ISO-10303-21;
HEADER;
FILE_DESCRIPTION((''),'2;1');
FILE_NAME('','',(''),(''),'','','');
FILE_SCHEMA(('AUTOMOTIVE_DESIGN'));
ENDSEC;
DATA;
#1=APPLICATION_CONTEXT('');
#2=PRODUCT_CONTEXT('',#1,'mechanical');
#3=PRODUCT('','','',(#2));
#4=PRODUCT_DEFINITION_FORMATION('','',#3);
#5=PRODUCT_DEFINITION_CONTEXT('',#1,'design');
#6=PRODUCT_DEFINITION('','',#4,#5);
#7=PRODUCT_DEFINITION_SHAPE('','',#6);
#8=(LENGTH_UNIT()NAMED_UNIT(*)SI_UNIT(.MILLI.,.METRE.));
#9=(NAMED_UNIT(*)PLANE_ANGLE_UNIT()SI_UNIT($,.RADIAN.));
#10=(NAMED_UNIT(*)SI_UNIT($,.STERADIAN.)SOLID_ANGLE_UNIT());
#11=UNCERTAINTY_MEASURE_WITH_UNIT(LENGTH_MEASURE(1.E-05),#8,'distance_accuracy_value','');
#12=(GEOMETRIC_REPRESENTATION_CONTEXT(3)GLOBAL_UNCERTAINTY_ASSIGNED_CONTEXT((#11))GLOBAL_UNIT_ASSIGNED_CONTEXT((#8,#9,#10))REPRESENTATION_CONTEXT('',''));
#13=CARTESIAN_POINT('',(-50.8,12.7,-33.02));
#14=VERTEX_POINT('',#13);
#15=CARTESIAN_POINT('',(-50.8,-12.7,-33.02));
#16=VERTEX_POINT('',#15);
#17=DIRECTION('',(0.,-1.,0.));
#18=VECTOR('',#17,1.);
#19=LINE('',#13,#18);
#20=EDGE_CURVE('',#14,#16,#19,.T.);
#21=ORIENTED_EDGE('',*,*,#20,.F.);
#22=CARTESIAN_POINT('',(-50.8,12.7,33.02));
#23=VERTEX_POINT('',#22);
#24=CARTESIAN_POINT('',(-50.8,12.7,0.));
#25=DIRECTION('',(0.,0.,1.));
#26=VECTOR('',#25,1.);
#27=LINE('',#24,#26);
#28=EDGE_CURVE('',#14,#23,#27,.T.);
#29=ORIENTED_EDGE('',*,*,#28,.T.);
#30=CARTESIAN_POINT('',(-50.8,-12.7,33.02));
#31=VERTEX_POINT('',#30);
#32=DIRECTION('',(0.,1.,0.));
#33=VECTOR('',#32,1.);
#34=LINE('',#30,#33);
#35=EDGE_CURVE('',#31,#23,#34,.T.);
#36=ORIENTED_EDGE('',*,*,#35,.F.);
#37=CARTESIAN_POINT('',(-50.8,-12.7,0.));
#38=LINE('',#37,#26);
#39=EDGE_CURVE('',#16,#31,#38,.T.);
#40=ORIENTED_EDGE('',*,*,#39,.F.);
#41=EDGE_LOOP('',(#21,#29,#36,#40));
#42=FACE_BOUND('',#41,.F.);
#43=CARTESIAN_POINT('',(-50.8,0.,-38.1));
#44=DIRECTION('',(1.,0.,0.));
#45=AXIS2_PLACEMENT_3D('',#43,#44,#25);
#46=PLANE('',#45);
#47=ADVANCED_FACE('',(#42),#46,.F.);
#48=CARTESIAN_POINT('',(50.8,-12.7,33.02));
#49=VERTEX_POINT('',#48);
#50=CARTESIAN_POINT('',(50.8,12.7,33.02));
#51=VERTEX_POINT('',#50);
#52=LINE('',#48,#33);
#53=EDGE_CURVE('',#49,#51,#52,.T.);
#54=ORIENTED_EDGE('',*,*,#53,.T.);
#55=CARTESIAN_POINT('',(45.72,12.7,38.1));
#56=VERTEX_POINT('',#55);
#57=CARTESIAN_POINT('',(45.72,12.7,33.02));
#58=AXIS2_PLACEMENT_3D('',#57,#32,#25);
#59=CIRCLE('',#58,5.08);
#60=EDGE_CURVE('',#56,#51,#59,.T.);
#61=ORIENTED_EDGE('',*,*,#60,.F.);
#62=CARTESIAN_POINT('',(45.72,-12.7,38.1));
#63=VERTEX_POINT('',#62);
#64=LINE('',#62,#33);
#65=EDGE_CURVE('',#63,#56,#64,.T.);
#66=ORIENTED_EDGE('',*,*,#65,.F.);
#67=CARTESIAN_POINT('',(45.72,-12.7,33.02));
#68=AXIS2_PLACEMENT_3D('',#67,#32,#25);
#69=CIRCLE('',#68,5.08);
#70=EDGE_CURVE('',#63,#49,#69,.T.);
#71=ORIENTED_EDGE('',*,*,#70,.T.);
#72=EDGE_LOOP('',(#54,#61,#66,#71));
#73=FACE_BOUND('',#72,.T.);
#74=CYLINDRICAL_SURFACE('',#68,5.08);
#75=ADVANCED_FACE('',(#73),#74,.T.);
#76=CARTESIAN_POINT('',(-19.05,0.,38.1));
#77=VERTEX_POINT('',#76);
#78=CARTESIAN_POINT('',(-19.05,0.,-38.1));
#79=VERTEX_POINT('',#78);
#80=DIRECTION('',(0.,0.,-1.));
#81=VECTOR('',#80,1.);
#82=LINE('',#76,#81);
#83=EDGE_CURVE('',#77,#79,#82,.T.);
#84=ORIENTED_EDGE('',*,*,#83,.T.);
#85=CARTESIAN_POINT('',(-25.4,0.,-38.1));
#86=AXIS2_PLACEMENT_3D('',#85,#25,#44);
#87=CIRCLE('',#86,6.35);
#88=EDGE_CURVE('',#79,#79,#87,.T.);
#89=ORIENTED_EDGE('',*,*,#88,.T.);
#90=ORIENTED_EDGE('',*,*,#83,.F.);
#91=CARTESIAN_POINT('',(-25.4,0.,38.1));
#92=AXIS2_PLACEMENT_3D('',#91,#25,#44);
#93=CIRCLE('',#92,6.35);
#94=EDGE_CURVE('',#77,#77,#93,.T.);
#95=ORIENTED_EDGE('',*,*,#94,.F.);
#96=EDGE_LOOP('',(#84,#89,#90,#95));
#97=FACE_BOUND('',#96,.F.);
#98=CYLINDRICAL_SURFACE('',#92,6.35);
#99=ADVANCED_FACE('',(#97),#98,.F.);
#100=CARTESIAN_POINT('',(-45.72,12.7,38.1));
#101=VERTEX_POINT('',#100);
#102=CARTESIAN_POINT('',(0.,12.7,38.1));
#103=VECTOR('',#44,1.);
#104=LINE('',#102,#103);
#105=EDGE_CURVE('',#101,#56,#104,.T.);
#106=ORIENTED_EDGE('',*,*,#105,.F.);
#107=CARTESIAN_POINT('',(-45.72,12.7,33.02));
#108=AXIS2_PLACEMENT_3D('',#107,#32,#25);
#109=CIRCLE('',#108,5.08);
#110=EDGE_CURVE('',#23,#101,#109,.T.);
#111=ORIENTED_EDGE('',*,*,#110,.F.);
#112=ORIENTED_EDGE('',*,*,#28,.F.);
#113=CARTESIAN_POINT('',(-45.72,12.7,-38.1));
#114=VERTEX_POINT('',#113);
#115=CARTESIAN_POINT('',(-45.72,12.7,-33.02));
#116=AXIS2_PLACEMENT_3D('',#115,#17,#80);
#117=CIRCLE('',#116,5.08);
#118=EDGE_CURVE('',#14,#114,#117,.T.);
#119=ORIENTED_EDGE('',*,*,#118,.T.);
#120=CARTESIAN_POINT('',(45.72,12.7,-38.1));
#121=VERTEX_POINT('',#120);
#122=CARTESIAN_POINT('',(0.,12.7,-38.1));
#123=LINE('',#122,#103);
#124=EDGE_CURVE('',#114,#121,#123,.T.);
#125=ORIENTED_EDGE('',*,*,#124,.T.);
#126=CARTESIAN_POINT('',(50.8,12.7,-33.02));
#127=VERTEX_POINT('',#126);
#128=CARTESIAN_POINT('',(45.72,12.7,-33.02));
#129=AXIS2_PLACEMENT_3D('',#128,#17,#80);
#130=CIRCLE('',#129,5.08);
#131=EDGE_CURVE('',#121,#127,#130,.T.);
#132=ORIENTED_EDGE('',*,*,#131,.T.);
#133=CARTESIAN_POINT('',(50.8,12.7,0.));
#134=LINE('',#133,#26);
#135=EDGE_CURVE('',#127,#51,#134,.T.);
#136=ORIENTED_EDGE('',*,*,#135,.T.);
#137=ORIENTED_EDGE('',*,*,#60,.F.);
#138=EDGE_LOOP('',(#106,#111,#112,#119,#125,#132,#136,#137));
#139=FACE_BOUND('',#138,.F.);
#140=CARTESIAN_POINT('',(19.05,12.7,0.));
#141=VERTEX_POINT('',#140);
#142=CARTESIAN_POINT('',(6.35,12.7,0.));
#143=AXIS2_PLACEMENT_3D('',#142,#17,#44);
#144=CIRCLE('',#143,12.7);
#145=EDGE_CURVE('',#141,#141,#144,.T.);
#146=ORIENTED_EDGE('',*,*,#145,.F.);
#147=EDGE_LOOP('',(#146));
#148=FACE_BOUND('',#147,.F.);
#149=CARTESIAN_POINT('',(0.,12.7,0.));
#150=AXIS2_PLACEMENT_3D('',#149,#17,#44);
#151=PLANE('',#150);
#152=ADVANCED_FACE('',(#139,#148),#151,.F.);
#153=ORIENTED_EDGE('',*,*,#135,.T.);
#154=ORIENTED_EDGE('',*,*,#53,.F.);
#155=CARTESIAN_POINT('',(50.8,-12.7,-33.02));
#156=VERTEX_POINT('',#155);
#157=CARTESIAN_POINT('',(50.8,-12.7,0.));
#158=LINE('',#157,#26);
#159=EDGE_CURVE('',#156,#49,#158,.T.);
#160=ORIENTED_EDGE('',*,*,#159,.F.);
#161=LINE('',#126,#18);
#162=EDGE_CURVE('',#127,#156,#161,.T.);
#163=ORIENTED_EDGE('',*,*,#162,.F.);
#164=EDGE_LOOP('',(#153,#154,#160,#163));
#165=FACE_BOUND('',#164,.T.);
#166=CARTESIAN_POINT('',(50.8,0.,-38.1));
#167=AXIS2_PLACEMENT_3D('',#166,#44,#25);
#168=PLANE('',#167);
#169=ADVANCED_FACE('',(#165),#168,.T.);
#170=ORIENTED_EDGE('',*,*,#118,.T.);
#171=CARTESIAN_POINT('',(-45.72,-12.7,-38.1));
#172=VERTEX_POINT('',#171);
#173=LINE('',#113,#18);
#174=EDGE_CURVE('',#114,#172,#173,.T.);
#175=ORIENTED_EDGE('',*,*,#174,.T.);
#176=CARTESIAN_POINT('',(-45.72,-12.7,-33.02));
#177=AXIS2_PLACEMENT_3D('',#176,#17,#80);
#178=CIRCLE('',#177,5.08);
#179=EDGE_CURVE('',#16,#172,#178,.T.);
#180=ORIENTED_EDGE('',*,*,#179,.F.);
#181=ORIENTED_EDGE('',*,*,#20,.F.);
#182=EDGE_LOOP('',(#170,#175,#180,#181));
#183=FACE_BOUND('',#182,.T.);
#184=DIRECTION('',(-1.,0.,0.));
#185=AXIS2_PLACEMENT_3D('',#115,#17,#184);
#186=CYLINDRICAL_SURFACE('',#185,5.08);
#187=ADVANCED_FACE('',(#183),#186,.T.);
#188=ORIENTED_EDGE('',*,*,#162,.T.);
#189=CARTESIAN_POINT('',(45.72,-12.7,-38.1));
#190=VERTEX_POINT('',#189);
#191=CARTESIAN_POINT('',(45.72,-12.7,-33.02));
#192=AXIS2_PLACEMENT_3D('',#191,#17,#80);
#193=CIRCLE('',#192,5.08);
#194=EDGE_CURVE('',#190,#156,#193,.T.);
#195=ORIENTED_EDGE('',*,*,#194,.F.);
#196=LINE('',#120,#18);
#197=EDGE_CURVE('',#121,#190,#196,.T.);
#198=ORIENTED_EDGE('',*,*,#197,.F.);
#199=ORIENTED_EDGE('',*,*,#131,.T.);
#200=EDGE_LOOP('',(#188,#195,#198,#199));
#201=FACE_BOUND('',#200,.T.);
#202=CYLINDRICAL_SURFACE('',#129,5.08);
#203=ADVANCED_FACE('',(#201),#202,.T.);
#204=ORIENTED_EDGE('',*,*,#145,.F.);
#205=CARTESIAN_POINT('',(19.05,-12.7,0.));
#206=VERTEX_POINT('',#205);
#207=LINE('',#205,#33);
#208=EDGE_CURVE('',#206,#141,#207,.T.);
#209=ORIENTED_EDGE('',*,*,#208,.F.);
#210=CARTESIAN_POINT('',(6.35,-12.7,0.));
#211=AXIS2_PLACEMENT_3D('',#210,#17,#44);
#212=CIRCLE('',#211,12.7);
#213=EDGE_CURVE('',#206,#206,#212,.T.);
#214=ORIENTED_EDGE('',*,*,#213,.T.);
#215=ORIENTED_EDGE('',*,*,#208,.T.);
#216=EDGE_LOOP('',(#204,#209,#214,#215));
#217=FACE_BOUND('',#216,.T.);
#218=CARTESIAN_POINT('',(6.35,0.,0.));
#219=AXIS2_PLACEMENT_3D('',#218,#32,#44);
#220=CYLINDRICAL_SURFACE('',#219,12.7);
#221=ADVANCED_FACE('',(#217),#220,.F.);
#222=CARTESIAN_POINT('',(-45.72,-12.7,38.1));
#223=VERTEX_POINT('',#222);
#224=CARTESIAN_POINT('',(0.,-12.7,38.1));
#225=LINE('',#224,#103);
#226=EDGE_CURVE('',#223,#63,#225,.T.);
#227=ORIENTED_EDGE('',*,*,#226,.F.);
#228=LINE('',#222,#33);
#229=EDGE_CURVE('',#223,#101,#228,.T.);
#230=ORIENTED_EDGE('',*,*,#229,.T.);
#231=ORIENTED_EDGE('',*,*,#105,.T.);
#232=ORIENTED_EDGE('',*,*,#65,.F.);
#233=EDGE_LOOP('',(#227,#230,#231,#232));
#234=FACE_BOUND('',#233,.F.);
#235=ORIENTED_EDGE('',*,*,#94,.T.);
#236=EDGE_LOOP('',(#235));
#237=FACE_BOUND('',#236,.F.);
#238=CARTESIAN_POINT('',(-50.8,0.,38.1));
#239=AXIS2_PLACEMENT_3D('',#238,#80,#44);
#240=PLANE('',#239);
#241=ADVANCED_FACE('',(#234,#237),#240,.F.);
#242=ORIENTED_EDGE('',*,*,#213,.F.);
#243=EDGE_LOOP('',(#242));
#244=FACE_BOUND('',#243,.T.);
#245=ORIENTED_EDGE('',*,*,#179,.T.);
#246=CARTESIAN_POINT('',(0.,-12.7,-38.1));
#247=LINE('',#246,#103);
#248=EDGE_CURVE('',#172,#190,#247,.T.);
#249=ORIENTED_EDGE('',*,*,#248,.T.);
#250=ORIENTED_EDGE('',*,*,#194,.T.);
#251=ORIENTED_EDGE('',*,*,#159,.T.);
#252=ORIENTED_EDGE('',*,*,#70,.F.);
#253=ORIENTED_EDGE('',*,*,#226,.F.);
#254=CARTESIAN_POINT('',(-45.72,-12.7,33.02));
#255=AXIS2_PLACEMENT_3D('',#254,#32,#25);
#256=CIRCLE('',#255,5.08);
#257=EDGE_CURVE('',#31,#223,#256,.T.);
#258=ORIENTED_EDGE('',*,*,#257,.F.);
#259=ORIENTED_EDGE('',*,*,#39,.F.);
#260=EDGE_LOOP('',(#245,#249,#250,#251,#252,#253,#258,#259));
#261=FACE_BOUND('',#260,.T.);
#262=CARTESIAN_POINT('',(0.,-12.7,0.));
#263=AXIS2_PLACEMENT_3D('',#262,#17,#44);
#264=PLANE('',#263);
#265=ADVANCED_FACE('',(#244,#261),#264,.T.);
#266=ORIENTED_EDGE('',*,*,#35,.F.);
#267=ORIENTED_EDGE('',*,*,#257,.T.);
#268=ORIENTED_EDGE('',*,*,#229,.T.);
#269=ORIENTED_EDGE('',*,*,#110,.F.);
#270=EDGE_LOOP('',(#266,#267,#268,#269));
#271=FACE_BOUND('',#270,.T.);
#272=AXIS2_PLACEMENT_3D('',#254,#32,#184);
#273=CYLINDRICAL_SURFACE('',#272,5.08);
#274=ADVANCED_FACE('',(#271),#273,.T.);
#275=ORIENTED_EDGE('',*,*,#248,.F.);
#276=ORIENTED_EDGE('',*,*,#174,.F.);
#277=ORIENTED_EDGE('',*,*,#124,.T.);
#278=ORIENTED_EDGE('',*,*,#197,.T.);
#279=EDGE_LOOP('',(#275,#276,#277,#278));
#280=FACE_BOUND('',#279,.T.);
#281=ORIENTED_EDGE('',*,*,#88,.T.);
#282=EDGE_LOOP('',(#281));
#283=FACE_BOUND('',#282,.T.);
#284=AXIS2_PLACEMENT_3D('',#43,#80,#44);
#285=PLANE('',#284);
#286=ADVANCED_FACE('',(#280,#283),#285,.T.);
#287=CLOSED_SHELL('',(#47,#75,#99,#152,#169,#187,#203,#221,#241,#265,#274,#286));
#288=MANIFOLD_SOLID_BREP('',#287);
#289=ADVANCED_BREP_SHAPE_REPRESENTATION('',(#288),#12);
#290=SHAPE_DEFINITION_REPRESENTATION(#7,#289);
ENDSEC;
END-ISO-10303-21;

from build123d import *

# Parameters (mm, degrees)
F0_W     = 101.6
F0_H     = 76.2
F0_R     = 12.7
F1_DEPTH = 12.7
F2_R     = 6.35
F3_DEPTH = 76.201
F4_R     = 5.08


with BuildPart() as f1:
    # F0 (on Front) → F1 (new body, symmetric)
    with BuildSketch(Plane.XZ):
        Rectangle(F0_W, F0_H)
        with Locations((6.35, 0)):
            Circle(F0_R, mode=Mode.SUBTRACT)
    extrude(amount=F1_DEPTH, both=True)

    # F2 (on face) → F3 (cut, through all)
    with BuildSketch(Plane.XY.offset(38.1)):
        with Locations((-25.4, 0)):
            Circle(F2_R)
    extrude(amount=-F3_DEPTH, mode=Mode.SUBTRACT)

    # F4
    f4_edges = [f1.edges().sort_by_distance(p)[0] for p in [
        (50.8, 0, 38.1),
        (-50.8, 0, 38.1),
        (50.8, 0, -38.1),
        (-50.8, 0, -38.1),
    ]]
    fillet(f4_edges, radius=F4_R)


solid = f1.part
